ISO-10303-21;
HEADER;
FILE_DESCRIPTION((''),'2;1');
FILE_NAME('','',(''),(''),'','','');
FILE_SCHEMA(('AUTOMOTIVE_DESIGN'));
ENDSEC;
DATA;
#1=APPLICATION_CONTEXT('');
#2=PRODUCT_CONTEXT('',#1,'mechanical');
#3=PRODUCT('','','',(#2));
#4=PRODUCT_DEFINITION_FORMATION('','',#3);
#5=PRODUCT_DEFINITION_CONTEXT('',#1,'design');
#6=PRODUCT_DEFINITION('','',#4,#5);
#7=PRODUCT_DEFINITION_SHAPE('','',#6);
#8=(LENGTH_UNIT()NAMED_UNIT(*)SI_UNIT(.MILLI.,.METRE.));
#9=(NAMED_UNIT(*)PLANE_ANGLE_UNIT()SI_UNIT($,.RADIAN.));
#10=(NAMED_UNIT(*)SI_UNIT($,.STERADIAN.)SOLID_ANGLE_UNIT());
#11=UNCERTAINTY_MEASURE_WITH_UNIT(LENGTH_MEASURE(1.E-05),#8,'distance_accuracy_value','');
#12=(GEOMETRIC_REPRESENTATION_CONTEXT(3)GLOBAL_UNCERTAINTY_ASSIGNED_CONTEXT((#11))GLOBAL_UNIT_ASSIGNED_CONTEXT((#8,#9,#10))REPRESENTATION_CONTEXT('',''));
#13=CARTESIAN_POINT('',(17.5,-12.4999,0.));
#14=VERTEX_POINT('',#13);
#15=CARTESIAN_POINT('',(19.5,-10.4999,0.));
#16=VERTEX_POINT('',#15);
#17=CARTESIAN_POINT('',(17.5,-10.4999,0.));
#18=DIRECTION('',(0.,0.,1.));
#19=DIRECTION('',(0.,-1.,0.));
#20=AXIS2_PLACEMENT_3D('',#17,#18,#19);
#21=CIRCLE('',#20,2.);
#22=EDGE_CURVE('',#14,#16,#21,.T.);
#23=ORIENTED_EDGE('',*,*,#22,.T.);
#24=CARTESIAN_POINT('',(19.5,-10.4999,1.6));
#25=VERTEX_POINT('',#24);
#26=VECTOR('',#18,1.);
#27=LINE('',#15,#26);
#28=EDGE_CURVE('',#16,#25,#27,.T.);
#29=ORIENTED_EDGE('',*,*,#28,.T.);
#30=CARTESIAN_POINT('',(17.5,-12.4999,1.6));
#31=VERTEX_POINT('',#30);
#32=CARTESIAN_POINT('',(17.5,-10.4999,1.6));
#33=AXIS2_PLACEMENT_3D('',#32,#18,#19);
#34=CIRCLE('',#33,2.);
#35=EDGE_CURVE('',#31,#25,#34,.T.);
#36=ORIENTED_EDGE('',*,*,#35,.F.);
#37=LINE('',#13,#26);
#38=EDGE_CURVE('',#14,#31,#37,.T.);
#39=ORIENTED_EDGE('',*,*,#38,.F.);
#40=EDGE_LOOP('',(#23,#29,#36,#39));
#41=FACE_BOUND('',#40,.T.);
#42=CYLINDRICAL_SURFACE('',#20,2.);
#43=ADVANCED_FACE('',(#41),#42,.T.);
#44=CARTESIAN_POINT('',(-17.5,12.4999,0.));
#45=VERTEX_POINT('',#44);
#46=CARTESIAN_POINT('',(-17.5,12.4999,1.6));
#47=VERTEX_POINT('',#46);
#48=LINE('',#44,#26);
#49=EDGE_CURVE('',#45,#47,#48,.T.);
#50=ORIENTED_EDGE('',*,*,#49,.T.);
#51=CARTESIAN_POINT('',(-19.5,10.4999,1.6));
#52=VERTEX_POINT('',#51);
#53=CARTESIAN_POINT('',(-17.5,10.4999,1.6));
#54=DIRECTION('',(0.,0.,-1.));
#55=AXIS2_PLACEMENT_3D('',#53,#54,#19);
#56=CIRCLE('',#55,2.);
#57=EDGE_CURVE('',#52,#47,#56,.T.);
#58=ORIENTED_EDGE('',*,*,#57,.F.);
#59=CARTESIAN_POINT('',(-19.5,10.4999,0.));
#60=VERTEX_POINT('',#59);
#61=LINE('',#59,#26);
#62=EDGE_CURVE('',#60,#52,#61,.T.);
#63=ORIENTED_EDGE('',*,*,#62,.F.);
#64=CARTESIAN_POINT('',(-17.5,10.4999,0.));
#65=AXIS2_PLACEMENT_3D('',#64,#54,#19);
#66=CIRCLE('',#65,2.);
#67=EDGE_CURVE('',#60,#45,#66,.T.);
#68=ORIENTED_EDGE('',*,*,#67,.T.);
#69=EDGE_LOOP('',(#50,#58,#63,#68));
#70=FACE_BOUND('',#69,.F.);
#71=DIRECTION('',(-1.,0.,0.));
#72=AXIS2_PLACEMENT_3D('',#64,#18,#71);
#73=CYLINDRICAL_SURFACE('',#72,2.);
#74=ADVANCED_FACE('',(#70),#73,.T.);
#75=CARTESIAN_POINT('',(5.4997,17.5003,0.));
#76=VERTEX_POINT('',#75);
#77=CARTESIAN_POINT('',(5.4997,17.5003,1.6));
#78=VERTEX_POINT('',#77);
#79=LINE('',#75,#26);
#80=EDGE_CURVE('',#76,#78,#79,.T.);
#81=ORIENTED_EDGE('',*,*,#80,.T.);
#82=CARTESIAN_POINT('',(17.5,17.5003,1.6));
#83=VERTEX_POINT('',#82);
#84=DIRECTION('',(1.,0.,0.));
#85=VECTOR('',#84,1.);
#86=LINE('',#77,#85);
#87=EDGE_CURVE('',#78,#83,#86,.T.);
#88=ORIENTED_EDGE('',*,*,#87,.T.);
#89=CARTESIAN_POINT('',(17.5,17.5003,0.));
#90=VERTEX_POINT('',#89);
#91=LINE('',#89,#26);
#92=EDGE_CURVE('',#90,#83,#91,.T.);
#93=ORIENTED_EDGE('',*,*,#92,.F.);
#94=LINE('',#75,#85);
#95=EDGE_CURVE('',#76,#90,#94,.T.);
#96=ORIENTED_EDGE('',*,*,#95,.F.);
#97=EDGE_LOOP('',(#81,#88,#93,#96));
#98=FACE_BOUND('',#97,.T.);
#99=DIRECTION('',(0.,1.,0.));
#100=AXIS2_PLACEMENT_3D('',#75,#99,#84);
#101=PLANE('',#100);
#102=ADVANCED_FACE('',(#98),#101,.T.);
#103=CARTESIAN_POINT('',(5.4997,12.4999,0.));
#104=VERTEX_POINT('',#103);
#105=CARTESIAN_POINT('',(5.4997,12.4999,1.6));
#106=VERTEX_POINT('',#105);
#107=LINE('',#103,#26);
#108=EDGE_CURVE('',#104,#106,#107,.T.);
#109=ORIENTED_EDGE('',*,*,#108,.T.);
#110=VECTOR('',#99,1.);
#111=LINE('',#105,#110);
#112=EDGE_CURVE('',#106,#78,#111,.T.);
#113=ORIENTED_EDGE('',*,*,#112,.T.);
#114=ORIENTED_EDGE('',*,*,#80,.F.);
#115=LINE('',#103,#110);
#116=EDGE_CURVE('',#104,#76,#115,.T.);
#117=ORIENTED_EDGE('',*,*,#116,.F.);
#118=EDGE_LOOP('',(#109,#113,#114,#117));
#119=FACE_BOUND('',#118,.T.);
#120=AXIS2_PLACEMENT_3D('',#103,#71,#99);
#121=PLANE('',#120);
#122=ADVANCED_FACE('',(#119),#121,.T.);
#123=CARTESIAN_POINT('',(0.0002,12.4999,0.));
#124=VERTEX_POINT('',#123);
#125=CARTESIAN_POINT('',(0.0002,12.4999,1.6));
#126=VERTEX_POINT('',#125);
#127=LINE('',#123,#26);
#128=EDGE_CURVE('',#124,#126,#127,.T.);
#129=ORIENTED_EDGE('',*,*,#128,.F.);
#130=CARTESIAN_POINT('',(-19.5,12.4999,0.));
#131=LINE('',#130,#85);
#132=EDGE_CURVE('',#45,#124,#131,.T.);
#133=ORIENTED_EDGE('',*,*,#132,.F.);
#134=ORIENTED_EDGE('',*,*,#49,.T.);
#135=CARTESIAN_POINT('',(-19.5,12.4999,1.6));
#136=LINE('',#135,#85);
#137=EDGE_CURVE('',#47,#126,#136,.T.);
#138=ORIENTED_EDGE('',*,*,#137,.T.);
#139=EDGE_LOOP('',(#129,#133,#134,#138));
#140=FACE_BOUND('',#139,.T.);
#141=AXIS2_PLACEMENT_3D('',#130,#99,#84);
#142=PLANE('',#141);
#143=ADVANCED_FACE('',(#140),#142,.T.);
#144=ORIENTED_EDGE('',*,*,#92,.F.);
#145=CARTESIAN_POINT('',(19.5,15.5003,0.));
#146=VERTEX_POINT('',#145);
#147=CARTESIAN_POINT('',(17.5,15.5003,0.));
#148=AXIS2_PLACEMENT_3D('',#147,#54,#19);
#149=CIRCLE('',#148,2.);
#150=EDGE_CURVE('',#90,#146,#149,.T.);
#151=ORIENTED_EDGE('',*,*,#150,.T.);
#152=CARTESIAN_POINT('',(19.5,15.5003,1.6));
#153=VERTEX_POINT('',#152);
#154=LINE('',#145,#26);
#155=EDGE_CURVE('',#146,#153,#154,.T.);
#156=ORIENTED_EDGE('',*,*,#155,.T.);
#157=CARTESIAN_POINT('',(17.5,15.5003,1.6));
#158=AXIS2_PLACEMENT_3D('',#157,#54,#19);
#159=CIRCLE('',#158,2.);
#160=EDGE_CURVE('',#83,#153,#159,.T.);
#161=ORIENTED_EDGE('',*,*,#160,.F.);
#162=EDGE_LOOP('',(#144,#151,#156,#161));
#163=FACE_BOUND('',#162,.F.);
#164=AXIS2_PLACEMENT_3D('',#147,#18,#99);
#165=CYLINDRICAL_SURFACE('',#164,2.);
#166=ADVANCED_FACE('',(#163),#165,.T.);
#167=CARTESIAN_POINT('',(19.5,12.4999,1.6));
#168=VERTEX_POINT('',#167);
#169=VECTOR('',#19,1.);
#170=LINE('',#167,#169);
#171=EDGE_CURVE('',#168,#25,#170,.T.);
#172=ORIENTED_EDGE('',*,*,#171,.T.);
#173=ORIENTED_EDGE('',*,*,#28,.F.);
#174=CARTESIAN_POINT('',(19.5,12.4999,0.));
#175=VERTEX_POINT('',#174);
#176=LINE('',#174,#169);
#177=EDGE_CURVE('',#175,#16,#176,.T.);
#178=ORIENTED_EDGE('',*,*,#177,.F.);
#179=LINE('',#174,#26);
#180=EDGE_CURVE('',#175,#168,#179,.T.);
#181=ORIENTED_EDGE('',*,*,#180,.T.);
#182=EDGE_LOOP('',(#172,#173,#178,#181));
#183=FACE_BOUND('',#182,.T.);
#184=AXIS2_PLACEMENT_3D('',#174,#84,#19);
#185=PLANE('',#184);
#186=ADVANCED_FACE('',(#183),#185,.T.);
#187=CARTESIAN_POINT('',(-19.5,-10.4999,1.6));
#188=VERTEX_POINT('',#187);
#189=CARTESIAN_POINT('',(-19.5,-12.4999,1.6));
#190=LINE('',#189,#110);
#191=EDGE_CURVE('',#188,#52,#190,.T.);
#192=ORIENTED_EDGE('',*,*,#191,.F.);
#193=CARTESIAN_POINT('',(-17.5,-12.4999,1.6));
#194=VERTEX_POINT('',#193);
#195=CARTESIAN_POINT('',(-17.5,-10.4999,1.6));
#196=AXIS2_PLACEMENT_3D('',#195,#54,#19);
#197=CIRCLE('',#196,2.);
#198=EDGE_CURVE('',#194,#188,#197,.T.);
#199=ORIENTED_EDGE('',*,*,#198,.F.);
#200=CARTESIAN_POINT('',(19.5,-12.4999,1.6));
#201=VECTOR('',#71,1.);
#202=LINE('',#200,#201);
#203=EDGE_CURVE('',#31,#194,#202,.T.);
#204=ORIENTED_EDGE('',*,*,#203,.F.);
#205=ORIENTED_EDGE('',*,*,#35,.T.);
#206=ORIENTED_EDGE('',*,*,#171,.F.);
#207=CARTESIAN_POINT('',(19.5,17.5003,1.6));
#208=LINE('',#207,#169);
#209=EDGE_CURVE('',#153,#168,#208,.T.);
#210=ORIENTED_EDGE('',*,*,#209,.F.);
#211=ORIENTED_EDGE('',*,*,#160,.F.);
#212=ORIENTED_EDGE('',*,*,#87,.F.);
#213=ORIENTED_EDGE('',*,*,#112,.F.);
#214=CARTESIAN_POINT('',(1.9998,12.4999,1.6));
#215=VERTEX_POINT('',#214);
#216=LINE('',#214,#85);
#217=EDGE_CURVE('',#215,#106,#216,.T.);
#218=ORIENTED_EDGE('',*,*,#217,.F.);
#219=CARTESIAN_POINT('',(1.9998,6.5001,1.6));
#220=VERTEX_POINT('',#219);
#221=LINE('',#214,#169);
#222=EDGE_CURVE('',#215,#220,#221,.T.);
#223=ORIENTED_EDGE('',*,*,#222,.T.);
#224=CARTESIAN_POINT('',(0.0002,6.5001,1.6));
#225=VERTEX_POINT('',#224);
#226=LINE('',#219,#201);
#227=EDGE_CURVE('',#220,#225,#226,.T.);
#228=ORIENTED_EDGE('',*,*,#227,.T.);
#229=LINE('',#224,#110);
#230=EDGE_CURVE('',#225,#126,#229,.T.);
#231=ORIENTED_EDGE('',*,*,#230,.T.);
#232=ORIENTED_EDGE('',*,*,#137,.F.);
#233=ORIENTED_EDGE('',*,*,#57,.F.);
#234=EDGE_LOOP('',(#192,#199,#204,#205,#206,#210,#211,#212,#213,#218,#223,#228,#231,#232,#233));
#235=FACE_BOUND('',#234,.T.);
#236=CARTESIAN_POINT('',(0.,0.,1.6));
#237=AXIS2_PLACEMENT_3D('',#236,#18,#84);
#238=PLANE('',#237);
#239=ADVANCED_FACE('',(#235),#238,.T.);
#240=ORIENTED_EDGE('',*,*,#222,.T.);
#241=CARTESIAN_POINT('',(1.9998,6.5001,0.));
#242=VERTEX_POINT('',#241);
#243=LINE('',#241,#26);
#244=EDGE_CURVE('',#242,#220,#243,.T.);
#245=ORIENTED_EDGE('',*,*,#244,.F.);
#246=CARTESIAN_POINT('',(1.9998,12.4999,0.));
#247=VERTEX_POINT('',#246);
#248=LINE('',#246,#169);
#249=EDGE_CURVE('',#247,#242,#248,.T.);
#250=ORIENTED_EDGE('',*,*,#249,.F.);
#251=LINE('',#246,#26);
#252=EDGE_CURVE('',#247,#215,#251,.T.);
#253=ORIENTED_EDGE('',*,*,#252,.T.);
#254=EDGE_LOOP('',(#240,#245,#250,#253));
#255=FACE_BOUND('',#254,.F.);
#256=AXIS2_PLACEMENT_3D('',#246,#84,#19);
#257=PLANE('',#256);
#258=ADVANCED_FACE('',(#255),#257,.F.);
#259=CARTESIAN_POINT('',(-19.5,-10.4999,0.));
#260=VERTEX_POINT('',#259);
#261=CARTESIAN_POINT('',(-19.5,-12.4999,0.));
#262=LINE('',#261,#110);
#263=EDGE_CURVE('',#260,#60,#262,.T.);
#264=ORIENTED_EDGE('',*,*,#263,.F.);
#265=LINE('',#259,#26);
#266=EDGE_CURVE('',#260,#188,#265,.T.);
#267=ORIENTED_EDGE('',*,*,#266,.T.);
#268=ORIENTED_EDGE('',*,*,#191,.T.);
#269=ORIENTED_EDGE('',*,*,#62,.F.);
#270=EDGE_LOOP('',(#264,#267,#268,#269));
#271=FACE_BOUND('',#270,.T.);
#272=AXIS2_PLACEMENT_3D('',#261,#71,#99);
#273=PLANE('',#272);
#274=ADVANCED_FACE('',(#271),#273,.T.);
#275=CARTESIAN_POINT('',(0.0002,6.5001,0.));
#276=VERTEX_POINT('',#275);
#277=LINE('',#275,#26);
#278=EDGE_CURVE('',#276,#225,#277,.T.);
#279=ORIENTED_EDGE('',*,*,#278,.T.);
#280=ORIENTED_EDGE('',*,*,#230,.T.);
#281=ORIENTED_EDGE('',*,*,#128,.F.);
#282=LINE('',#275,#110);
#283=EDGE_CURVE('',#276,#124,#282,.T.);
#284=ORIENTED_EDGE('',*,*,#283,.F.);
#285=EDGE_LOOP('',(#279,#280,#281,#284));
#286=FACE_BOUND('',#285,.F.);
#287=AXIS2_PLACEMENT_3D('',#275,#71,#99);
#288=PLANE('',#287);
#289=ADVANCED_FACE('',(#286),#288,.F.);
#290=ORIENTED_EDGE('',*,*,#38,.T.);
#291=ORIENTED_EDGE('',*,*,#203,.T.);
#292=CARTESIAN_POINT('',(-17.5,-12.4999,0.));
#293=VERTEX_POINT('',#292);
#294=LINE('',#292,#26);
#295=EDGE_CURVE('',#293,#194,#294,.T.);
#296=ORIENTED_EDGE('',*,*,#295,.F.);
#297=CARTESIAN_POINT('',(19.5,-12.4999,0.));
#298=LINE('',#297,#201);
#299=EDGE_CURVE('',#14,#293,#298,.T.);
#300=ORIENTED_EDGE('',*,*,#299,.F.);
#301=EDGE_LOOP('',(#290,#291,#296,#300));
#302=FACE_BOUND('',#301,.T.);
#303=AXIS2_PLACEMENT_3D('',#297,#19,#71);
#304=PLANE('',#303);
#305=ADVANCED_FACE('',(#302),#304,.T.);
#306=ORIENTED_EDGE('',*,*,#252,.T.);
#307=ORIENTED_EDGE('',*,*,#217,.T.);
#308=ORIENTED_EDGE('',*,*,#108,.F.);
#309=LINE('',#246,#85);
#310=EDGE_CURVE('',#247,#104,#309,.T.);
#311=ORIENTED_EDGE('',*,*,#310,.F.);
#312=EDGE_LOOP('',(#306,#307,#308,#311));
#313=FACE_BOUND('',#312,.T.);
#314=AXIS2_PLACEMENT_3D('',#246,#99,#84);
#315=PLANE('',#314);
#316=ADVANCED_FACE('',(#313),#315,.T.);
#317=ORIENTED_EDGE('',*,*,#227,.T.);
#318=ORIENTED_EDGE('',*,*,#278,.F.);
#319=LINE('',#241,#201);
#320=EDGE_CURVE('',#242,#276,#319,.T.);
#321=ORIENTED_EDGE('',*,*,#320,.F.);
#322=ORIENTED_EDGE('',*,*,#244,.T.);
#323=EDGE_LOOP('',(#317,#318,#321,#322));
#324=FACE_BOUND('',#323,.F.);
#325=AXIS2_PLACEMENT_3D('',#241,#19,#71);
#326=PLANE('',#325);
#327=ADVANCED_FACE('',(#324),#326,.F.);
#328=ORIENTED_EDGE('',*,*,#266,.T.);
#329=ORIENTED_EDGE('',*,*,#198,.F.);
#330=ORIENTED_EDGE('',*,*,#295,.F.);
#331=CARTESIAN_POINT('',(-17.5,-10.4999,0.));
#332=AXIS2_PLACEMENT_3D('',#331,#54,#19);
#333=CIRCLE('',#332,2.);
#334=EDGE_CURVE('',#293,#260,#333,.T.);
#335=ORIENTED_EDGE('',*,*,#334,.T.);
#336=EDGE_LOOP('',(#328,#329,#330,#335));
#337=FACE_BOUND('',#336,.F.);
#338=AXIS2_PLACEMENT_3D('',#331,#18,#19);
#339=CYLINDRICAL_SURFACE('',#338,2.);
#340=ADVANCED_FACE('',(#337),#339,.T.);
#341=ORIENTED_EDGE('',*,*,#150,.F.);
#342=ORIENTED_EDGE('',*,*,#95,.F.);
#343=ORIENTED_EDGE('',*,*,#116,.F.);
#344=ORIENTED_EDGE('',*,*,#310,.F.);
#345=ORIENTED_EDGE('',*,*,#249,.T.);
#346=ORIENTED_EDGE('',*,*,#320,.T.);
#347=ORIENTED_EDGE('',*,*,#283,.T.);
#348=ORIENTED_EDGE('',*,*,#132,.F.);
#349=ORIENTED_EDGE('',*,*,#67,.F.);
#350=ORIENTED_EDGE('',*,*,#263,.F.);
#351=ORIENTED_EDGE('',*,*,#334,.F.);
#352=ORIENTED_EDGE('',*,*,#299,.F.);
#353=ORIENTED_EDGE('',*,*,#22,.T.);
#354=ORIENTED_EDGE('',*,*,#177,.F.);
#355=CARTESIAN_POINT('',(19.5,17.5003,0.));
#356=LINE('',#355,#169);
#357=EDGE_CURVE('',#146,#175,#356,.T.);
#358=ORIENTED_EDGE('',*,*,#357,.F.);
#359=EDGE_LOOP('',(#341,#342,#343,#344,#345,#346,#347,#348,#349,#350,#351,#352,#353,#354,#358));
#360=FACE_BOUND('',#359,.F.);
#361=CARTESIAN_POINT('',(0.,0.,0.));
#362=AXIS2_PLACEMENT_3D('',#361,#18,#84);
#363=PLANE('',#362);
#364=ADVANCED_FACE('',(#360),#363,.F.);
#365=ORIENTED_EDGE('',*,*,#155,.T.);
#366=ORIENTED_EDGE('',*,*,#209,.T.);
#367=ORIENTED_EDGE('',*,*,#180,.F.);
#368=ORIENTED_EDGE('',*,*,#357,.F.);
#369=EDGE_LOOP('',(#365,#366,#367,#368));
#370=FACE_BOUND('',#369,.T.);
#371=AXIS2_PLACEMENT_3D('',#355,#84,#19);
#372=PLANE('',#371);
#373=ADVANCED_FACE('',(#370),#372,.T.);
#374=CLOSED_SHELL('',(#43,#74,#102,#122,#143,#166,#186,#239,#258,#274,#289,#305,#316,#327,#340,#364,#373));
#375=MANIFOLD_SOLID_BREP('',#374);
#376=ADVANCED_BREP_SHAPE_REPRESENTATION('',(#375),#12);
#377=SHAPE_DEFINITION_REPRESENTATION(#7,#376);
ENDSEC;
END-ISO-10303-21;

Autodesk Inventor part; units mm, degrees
ref_plane "YZ Plane" through (0, 0, 0) normal (1, 0, 0) x (0, 1, 0)
ref_plane "XZ Plane" through (0, 0, 0) normal (0, 1, 0) x (-1, 0, 0)
ref_plane "XY Plane" through (0, 0, 0) normal (0, 0, 1) x (1, 0, 0)
sketch "Sketch6" plane through (0, 0, 0) normal (0, 0, 1) x (1, 0, 0)
  line L0 (19.5, -12.4999) -> (-19.5, -12.4999)
  line L1 (-19.5, -12.4999) -> (-19.5, 12.4999)
  line L2 (19.5, 12.4999) -> (19.5, -12.4999)
  line L3 (19.5, -12.4999) -> (-19.5, 12.4999) construction
  line L4 (-19.5, -12.4999) -> (19.5, 12.4999) construction
  line L5 (5.4997, 12.4999) -> (5.4997, 17.5003)
  line L6 (5.4997, 17.5003) -> (19.5, 17.5003)
  line L7 (19.5, 17.5003) -> (19.5, 12.4999)
  line L8 (1.9998, 6.5001) -> (0.0002, 6.5001)
  line L9 (0.0002, 6.5001) -> (0.0002, 12.4999)
  line L10 (1.9998, 12.4999) -> (1.9998, 6.5001)
  line L11 (1.9998, 6.5001) -> (0.0002, 12.4999) construction
  line L12 (0.0002, 6.5001) -> (1.9998, 12.4999) construction
  line L13 (-19.5, 12.4999) -> (0.0002, 12.4999)
  line L14 (1.9998, 12.4999) -> (5.4997, 12.4999)
extrude "Extrusion5" add sketch "Sketch6" along normal blind 1.6
fillet "Fillet5" radius 2 4 edges at (19.5, 17.5003, 0.8) (-19.5, 12.4999, 0.8) (-19.5, -12.4999, 0.8) (19.5, -12.4999, 0.8)
properties part number "pcb_balun_bottom"
